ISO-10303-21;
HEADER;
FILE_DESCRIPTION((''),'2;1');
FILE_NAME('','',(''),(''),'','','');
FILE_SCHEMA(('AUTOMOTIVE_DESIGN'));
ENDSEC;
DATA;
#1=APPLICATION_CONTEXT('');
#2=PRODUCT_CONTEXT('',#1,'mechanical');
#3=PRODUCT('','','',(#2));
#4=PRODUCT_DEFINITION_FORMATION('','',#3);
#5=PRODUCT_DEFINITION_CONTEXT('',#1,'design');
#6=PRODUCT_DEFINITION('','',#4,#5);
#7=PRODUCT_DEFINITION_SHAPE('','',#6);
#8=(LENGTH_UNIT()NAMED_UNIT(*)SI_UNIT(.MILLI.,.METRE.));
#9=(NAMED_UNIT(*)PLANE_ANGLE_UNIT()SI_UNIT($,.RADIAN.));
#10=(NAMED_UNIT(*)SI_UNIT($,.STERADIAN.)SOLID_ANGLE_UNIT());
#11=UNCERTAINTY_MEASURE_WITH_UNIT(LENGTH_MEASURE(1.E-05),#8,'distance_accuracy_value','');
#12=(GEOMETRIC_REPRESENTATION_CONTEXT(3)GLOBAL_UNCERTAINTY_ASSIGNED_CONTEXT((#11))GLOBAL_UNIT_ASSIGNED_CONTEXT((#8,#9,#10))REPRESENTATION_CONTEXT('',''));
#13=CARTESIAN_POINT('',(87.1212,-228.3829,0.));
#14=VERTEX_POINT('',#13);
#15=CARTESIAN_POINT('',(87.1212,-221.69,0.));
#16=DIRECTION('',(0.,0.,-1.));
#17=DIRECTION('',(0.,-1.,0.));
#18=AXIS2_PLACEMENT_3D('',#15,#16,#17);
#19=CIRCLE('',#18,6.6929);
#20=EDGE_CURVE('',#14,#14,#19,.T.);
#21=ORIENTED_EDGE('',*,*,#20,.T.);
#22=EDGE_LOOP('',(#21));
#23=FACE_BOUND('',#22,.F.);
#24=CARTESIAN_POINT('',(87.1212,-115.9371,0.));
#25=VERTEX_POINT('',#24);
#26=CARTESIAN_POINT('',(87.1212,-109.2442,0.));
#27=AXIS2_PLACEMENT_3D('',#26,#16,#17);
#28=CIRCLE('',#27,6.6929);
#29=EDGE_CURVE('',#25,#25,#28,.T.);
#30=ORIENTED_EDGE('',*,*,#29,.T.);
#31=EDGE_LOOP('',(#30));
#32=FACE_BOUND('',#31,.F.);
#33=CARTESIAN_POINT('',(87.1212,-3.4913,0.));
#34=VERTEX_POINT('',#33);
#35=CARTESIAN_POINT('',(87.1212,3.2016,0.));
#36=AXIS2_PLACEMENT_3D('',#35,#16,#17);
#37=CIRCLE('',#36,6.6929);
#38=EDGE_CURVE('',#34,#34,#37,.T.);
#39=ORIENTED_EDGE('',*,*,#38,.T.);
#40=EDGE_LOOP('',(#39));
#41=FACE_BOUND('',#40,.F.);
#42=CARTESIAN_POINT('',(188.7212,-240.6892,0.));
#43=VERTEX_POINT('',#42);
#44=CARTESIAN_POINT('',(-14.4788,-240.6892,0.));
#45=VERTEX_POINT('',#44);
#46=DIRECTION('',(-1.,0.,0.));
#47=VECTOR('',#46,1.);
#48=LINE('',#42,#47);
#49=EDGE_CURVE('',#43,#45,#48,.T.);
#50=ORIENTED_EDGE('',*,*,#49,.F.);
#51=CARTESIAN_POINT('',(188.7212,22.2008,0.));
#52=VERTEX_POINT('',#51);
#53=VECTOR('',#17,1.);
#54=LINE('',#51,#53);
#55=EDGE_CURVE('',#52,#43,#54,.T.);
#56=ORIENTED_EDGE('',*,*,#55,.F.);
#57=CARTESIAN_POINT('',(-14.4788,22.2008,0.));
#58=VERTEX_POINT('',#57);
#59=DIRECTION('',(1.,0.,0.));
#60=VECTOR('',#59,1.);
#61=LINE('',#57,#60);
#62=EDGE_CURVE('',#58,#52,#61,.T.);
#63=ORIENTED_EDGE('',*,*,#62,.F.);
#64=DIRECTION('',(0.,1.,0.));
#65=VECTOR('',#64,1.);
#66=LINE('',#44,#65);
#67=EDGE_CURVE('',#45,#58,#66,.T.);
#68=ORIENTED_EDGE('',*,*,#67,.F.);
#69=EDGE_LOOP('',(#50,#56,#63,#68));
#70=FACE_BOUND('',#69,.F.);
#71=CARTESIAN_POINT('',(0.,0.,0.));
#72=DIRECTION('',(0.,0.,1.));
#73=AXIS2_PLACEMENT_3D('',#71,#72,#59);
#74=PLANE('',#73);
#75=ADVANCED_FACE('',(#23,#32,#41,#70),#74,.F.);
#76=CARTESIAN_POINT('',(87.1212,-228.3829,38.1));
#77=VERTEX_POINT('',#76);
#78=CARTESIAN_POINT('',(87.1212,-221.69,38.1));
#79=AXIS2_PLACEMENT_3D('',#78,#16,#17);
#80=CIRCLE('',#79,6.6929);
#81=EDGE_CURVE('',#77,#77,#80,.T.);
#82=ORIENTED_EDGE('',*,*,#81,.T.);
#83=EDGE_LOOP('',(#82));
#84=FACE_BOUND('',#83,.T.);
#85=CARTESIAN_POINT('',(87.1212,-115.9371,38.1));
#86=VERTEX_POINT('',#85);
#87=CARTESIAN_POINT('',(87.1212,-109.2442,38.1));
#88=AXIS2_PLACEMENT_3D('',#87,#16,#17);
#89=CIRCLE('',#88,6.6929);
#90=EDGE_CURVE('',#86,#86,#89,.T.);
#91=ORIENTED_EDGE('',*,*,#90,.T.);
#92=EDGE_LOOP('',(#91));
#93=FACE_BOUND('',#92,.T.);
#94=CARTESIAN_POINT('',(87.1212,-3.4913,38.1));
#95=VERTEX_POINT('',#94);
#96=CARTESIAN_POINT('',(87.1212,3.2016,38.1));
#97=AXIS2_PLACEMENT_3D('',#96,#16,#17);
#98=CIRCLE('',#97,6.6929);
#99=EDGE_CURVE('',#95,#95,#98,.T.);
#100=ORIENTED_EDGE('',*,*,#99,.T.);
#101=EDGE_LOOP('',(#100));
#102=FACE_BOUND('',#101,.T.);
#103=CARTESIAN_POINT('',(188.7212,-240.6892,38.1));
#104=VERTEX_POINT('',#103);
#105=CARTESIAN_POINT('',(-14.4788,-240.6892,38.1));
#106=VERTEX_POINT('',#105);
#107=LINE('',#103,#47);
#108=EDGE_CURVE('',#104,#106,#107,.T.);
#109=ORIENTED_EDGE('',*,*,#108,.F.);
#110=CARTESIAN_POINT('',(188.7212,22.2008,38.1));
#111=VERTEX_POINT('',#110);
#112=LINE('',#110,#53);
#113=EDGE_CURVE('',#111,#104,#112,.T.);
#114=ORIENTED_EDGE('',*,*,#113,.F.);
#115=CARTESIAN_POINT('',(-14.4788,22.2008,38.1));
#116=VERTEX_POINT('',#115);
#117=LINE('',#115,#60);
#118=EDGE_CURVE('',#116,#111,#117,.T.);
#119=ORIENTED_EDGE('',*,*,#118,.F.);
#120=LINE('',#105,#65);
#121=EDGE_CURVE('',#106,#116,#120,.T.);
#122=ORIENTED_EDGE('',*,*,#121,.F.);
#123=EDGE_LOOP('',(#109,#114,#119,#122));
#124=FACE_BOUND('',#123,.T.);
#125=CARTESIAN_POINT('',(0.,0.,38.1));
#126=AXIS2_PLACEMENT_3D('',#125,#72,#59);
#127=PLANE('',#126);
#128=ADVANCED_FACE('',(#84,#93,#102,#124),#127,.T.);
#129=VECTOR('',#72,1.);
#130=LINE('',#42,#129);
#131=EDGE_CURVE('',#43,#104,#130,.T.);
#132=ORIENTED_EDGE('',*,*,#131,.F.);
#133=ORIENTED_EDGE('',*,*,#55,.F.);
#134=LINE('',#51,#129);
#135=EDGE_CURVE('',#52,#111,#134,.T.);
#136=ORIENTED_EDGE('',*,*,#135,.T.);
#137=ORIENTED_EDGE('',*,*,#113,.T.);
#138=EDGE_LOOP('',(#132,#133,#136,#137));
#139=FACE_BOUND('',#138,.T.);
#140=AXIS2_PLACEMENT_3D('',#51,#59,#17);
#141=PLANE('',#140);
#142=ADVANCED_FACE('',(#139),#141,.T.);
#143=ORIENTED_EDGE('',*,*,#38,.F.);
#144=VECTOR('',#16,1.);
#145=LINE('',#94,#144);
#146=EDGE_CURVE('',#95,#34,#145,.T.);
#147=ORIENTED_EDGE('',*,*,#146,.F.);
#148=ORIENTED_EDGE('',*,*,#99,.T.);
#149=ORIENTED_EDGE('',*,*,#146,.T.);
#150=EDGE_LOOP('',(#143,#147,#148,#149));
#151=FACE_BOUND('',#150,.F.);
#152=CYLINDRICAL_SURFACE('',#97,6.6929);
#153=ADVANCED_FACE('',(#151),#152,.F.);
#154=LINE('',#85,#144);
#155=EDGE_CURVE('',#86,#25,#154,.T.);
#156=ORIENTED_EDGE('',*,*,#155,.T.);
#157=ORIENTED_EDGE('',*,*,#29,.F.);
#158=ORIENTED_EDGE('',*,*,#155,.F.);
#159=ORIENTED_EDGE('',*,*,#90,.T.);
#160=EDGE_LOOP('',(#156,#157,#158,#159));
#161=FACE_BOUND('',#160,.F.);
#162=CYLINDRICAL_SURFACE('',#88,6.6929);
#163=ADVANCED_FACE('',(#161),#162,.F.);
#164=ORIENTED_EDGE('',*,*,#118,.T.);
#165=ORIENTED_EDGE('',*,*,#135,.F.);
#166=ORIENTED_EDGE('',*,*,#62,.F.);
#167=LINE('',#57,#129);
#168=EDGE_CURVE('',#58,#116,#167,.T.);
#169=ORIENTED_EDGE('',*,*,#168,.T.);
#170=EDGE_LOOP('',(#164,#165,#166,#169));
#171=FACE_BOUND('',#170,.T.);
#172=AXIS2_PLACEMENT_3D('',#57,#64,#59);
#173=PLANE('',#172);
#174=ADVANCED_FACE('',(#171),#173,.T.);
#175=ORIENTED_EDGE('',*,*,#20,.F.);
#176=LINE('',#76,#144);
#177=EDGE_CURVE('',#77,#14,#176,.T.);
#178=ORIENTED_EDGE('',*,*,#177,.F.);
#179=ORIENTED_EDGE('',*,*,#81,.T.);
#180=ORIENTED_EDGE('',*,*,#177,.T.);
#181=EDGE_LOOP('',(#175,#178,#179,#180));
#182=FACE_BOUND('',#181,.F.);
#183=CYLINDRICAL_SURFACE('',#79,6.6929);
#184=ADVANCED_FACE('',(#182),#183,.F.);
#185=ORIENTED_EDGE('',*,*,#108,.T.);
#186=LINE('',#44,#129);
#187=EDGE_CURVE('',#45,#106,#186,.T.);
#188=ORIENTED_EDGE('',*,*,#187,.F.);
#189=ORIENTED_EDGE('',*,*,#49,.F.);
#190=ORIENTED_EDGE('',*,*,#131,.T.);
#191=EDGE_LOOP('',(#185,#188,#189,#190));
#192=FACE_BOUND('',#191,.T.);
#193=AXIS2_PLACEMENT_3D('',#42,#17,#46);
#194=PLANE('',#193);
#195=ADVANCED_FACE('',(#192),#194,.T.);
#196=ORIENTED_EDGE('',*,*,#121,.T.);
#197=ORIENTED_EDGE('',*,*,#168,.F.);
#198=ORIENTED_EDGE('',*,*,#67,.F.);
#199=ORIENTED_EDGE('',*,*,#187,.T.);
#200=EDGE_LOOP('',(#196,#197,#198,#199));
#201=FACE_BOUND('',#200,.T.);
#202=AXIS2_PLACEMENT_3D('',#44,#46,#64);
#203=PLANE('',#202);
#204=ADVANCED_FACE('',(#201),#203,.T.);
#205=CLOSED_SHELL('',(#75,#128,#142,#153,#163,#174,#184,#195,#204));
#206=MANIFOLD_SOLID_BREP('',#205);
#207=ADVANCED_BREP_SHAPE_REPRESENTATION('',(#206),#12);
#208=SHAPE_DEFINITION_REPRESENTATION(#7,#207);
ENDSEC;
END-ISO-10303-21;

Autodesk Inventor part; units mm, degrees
ref_plane "YZ Plane" through (0, 0, 0) normal (1, 0, 0) x (0, 1, 0)
ref_plane "XZ Plane" through (0, 0, 0) normal (0, 1, 0) x (-1, 0, 0)
sketch "Sketch1" plane through (0, 0, 0) normal (0, 0, 1) x (1, 0, 0)
  line L0 (-14.4788, 22.2008) -> (188.7212, 22.2008)
  line L1 (188.7212, 22.2008) -> (188.7212, -240.6892)
  line L2 (188.7212, -240.6892) -> (-14.4788, -240.6892)
  line L3 (-14.4788, -240.6892) -> (-14.4788, 22.2008)
  dimension "d0" = 203.2
  dimension "d1" = 262.89
extrude "Extrusion1" add sketch "Sketch1" along normal blind 38.1
sketch "Sketch2" plane through (0, 0, 38.1) normal (0, 0, 1) x (1, 0, 0)
  line L0 (188.7212, 22.2008) -> (188.7212, -240.6892) projected
  line L1 (-14.4788, 22.2008) -> (188.7212, 22.2008) projected
  point P0 (87.1212, -109.2442)
  dimension "d4" = 101.6
  dimension "d5" = 131.445
hole "Hole1" at (87.1212, -109.2442, 38.1) direction (0, 0, -1) diameter 13.3858 end through all thread size "5/8-11 UNC" class "1B" standard "ANSI Unified Screw Threads"
sketch "Sketch3" plane through (0, 0, 38.1) normal (0, 0, 1) x (1, 0, 0)
  circle A0 centre (87.1212, -109.2442) radius 6.6929 projected
  point P0 (87.1212, 3.2016)
  point P1 (87.1212, -221.69)
  dimension "d13" = 112.4458
  dimension "d14" = 112.4458
hole "Hole2" at (87.1212, 3.2016, 38.1) at (87.1212, -221.69, 38.1) direction (0, 0, -1) diameter 13.3858 end through all thread size "5/8-11 UNC" class "1B" standard "ANSI Unified Screw Threads"
ref_plane "Work Plane1" through (87.1212, -240.6892, 0) normal (1, 0, 0) x (0, 0, -1)
properties part number "Sideplate"
